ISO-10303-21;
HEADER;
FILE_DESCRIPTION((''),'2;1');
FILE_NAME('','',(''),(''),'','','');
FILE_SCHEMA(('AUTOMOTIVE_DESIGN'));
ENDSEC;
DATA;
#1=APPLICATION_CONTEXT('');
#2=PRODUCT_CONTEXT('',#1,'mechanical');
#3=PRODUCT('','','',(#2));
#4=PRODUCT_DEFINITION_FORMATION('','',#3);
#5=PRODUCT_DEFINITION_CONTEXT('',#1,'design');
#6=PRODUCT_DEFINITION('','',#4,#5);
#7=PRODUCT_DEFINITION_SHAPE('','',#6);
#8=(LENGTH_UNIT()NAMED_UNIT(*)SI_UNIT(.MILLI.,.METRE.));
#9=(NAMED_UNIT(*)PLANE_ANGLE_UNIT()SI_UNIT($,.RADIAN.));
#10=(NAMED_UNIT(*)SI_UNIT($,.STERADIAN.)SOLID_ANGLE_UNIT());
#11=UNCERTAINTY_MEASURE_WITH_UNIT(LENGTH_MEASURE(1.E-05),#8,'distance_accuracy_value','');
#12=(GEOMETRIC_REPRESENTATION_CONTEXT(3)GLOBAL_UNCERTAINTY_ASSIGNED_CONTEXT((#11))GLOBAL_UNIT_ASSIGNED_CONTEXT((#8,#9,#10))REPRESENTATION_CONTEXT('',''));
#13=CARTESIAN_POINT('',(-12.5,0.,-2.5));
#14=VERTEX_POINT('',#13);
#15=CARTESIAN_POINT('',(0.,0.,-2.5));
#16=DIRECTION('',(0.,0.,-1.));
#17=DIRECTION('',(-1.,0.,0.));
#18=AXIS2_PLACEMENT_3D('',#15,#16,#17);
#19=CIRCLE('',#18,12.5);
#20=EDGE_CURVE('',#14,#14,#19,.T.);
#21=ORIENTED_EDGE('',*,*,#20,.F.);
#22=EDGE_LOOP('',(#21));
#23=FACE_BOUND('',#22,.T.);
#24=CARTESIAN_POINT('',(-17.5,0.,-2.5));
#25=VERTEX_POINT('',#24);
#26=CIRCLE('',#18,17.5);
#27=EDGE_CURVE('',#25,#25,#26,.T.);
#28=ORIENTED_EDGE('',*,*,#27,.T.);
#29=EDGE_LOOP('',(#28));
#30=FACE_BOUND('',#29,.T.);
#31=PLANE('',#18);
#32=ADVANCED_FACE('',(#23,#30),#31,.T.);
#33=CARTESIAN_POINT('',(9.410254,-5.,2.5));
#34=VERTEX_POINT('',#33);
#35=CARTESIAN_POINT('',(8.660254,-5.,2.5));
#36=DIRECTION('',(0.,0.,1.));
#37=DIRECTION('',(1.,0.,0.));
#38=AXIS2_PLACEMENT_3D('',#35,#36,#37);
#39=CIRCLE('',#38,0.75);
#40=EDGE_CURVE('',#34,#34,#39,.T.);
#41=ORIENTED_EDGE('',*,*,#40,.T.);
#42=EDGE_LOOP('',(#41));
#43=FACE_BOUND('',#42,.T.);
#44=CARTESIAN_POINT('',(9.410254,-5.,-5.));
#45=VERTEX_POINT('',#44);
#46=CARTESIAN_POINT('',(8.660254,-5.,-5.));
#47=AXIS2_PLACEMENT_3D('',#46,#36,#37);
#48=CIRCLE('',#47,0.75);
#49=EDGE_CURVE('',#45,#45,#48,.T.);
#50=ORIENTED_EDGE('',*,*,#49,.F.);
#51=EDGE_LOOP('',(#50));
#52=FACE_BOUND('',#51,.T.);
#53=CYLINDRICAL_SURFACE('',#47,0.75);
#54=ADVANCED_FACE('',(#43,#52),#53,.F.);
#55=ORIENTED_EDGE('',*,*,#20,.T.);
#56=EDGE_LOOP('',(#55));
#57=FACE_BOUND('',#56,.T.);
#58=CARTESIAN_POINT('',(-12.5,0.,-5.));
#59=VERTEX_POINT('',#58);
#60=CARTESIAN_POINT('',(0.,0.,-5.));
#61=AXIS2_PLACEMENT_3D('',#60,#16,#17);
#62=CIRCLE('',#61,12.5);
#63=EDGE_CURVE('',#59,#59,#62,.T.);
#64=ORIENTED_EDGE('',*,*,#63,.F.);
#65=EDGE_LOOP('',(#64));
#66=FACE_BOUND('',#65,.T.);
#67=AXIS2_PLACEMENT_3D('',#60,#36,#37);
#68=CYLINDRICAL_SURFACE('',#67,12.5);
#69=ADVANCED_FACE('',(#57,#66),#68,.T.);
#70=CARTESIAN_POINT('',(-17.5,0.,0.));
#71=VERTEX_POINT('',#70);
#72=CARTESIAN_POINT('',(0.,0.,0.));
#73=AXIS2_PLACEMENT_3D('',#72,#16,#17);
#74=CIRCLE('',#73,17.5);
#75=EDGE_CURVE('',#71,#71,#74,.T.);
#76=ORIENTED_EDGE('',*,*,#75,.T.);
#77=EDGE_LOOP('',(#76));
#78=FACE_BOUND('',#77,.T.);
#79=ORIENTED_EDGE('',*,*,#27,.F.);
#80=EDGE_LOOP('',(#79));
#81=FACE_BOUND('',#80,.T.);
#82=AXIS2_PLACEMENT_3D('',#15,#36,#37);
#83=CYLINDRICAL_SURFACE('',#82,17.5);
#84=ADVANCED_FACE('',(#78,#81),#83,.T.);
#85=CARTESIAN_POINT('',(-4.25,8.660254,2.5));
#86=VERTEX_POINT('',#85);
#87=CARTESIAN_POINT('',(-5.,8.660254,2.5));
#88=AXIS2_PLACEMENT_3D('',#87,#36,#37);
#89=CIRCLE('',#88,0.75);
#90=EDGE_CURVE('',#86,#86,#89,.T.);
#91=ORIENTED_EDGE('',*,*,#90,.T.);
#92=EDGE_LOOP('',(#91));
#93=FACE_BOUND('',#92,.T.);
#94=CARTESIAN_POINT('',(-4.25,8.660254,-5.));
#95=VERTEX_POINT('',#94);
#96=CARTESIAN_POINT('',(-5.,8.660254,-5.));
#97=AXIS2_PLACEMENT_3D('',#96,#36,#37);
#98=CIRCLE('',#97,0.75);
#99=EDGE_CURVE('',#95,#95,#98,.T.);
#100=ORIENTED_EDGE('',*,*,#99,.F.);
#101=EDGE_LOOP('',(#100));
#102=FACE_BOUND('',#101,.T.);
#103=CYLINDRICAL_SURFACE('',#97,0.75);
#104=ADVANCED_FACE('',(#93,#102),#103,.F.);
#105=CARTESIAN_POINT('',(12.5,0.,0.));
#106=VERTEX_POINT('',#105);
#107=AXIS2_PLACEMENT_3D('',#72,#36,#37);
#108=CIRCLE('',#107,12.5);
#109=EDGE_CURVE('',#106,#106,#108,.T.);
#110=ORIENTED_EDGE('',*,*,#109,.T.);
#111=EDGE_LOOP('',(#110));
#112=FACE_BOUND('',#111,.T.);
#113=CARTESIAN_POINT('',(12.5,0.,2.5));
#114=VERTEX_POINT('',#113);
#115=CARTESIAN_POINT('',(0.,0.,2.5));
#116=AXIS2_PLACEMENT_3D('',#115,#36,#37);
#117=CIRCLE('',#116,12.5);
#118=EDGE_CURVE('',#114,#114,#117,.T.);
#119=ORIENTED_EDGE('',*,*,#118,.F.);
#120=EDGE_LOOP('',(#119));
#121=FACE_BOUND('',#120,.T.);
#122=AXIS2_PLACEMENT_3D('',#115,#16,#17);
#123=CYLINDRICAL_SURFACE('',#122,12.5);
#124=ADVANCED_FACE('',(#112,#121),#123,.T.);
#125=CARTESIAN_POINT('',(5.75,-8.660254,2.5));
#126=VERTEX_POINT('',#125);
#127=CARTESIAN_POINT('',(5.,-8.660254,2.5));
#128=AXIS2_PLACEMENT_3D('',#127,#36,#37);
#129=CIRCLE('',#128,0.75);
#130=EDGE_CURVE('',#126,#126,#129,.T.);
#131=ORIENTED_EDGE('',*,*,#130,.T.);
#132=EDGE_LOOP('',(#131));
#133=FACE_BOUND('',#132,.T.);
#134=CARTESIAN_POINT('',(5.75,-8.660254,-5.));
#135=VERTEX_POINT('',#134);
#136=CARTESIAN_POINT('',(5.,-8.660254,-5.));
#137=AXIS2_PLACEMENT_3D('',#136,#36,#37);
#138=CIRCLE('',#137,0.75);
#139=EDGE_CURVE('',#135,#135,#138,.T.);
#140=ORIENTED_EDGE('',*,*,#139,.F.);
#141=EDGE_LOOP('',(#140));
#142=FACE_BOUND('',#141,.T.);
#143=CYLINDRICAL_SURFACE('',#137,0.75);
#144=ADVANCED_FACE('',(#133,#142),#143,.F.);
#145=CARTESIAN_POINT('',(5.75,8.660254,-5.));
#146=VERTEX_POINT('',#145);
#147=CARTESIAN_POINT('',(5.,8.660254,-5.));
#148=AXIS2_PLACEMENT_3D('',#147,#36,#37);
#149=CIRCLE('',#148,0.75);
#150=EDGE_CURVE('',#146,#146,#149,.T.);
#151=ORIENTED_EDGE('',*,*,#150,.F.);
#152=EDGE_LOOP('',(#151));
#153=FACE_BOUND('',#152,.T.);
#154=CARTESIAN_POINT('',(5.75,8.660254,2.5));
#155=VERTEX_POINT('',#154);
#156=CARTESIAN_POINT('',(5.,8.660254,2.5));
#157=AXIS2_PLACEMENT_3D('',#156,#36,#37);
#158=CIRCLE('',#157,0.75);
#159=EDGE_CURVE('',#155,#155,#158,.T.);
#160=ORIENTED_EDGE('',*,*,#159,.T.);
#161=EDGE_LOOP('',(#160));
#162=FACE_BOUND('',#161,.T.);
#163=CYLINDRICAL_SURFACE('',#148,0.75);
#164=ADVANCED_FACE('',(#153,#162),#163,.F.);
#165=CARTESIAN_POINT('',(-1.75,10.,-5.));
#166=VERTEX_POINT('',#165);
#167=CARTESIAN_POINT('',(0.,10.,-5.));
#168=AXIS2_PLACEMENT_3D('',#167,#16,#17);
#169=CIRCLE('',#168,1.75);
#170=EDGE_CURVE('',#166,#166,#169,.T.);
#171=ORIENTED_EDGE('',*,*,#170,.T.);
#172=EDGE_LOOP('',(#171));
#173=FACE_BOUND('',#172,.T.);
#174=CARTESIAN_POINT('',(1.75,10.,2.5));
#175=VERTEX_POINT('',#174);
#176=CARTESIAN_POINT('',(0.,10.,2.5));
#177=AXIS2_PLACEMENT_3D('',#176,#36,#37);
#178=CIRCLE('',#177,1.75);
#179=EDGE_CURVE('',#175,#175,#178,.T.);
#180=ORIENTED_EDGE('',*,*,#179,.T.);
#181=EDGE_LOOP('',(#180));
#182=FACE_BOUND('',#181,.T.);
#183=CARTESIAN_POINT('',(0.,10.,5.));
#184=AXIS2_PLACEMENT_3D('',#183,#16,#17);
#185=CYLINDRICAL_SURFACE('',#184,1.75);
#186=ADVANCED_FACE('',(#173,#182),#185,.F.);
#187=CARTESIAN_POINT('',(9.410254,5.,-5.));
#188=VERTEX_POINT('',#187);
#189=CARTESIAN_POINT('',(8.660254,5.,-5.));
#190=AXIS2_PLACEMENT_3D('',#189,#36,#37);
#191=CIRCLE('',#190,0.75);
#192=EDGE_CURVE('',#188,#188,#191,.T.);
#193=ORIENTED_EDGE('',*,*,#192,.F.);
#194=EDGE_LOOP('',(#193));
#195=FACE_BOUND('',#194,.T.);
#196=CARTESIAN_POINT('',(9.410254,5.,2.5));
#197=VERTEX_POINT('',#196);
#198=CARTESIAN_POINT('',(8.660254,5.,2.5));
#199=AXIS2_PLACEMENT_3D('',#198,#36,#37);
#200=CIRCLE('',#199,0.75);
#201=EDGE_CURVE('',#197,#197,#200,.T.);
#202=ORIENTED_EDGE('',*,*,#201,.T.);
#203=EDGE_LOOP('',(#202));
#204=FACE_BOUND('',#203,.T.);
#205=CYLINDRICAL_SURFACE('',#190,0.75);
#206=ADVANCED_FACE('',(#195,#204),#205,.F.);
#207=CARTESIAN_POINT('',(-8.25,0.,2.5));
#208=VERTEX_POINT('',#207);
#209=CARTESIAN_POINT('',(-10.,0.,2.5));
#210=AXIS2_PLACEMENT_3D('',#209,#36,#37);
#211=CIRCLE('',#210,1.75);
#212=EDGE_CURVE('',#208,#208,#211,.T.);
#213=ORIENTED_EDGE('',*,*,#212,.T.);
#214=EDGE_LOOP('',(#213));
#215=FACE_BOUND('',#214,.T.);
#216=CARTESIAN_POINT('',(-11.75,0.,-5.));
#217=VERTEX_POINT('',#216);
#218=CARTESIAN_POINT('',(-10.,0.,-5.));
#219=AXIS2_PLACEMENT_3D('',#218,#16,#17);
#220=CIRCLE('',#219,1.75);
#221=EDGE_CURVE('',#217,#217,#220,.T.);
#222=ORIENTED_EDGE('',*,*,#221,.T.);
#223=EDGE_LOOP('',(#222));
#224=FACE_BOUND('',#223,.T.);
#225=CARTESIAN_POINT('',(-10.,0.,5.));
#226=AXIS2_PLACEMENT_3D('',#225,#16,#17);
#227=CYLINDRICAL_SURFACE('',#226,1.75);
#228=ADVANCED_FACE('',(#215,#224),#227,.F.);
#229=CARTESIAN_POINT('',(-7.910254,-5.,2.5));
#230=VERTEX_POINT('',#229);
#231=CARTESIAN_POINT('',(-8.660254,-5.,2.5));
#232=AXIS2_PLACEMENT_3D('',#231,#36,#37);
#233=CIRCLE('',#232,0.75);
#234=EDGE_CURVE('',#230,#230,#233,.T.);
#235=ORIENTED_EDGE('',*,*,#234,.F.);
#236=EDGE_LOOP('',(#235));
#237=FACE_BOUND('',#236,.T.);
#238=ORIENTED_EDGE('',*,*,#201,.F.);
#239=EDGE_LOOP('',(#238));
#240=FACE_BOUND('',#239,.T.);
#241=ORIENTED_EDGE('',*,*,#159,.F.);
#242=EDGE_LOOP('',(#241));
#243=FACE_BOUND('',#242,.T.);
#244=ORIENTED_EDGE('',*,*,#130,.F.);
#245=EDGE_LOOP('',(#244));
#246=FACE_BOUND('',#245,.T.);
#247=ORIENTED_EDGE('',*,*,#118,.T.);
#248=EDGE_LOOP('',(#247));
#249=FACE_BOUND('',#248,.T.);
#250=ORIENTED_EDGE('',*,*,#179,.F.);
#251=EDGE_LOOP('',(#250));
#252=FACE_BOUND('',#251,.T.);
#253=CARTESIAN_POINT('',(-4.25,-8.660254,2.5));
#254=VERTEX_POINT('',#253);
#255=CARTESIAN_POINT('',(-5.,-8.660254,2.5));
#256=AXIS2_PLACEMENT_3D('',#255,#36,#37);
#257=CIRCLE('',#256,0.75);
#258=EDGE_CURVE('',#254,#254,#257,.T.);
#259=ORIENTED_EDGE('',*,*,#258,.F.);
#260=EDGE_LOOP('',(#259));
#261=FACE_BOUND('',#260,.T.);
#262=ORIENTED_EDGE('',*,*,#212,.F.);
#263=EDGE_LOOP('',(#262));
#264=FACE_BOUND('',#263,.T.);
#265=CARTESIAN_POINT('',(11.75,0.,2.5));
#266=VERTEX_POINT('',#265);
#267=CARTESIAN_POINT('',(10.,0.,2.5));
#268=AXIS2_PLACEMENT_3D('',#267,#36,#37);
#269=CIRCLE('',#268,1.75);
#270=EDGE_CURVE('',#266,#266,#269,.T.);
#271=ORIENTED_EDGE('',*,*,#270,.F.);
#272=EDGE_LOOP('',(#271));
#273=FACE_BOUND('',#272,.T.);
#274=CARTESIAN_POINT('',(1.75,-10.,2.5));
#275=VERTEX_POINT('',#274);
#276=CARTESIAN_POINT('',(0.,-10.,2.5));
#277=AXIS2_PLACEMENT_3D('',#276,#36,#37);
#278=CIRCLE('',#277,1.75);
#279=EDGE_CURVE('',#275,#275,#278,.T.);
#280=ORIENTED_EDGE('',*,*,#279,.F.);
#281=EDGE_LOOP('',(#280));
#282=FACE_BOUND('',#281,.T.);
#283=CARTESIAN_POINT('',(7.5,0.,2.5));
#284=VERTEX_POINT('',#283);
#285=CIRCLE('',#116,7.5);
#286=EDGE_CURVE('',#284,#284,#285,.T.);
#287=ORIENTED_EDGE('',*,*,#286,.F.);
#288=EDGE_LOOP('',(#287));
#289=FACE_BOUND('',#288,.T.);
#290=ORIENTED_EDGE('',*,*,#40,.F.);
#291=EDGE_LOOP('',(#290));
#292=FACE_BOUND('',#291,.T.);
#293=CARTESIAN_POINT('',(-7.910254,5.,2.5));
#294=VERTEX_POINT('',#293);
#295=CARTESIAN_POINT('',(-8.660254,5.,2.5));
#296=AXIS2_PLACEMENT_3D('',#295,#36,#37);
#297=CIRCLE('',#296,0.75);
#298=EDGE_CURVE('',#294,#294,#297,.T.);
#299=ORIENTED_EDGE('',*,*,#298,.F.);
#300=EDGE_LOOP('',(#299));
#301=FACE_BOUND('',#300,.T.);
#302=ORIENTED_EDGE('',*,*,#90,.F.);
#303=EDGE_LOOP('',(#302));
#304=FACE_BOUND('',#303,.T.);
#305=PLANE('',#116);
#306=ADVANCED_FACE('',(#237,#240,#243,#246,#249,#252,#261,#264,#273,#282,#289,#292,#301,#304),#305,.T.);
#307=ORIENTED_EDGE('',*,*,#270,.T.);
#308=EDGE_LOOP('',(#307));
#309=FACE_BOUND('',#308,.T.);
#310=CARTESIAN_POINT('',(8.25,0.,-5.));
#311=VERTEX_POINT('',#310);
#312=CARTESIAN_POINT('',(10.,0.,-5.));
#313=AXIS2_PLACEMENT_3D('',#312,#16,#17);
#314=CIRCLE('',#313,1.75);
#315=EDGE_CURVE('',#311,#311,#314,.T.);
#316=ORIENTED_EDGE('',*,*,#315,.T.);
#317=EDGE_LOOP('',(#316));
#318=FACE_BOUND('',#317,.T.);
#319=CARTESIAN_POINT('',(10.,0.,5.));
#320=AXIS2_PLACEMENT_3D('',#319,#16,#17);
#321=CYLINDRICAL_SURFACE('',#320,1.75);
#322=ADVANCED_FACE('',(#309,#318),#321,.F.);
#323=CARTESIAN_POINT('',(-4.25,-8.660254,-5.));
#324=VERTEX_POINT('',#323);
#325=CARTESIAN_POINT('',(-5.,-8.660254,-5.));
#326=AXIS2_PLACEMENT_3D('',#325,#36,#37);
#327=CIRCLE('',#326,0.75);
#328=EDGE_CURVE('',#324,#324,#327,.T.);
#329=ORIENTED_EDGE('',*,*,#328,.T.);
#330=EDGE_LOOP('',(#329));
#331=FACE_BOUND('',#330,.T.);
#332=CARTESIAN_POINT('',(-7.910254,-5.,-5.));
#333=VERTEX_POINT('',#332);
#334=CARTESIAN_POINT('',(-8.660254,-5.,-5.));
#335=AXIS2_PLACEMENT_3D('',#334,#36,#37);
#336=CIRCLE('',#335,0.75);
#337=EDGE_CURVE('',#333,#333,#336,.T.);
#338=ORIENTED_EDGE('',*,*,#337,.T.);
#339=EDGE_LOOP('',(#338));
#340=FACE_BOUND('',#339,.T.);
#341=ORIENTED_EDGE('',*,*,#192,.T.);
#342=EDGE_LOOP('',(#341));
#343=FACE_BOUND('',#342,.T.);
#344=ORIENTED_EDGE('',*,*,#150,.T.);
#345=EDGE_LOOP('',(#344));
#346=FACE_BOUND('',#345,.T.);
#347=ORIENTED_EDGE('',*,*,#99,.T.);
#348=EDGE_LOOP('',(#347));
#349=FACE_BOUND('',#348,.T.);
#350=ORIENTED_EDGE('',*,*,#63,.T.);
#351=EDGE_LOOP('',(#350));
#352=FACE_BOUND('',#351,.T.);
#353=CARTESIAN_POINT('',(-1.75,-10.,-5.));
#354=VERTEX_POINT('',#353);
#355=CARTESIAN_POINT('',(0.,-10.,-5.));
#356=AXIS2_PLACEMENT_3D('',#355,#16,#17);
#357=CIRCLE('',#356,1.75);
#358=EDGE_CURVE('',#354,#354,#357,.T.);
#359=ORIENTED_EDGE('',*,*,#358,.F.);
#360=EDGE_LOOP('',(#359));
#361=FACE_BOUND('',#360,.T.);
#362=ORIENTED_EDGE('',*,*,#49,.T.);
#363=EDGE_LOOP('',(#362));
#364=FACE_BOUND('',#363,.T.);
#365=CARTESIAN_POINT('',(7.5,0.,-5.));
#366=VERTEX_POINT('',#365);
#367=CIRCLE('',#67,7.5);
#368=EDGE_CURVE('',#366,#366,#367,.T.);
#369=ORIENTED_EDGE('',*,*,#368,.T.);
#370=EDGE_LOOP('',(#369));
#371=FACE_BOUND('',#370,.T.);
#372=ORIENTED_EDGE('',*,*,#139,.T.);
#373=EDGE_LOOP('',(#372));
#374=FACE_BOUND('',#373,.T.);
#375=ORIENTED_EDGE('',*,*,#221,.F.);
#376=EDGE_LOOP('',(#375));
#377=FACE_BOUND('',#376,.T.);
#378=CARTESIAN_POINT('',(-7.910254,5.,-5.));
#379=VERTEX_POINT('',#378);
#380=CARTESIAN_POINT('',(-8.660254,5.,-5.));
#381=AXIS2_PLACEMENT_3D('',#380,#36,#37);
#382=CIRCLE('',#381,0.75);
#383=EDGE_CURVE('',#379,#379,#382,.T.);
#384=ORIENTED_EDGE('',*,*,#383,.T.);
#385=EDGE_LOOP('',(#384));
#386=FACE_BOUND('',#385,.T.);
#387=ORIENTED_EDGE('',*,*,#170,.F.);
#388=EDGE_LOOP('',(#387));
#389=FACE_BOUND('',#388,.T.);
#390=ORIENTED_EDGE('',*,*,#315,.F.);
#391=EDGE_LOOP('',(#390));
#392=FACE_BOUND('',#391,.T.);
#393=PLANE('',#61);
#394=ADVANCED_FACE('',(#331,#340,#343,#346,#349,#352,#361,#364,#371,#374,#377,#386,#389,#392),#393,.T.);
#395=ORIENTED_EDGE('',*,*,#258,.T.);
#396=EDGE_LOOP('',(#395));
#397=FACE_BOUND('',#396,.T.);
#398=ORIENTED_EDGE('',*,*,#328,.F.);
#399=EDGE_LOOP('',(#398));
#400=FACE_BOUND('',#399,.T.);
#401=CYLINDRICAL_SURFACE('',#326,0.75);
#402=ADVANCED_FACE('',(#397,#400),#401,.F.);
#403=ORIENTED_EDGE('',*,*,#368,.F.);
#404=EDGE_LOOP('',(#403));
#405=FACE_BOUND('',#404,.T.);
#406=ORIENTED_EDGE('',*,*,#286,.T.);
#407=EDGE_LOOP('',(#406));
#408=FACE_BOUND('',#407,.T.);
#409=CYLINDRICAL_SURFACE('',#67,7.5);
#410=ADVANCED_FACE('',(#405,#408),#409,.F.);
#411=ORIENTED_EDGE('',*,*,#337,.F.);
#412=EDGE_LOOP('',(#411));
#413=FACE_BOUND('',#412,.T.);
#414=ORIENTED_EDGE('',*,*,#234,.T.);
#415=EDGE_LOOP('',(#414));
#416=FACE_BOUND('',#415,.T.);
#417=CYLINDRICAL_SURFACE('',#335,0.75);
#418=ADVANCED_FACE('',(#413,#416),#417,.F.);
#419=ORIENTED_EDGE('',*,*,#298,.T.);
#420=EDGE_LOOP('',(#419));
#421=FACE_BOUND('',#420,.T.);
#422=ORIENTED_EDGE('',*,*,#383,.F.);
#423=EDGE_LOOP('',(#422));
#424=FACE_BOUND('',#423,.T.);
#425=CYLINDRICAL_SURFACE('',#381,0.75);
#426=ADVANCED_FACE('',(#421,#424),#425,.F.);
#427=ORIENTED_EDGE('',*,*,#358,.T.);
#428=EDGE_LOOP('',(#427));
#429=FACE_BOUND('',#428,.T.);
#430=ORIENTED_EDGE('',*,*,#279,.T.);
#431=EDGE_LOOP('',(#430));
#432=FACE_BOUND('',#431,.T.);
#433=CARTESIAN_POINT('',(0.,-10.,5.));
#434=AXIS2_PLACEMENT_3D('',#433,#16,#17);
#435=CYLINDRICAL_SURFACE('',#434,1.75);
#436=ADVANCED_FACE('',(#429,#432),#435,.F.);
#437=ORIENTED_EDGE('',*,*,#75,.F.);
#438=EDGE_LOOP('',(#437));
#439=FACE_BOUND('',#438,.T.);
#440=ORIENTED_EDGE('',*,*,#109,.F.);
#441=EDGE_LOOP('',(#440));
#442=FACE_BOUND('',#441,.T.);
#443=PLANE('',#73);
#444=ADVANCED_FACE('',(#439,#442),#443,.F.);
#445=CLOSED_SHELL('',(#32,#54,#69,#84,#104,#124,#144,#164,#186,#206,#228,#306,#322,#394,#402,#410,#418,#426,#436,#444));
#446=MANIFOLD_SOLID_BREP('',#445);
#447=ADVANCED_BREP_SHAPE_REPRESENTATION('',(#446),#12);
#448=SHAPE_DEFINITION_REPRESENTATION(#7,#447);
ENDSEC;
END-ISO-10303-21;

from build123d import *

# Parameters (mm, degrees)
SKETCH1_R               = 12.5
BOSS_EXTRUDE1_DEPTH     = 2.5
SKETCH3_R               = 17.5
BOSS_EXTRUDE2_DEPTH     = 2.5
BOSS_EXTRUDE3_START     = 2.5
SKETCH5_R               = 12.5
BOSS_EXTRUDE3_DEPTH     = 2.5
CUT_EXTRUDE1_DEPTH      = 26.860201082
CUT_EXTRUDE1_DEPTH_BACK = 26.860201082
SKETCH2_R               = 0.75
SKETCH2_R_2             = 7.5
SKETCH6_R               = 1.75
CUT_EXTRUDE2_DEPTH      = 10


with BuildPart() as part:
    # Sketch1 → Boss-Extrude1 (new body)
    with BuildSketch(Plane.XY):
        Circle(SKETCH1_R)
    extrude(amount=BOSS_EXTRUDE1_DEPTH)

    # Sketch3 → Boss-Extrude2 (add)
    with BuildSketch(Plane(origin=(0, 0, 0), x_dir=(-1, 0, 0), z_dir=(0, 0, -1))):
        Circle(SKETCH3_R)
    extrude(amount=BOSS_EXTRUDE2_DEPTH)

    # Sketch5 → Boss-Extrude3 (add)
    with BuildSketch(Plane(origin=(0, 0, -2.5), x_dir=(-1, 0, 0), z_dir=(0, 0, -1)).offset(BOSS_EXTRUDE3_START)):
        with Locations(Location((0, 0, 0), (0, 0, 180))):
            Circle(SKETCH5_R)
    extrude(amount=-BOSS_EXTRUDE3_DEPTH)

    # Sketch2 → Cut-Extrude1 (cut, two sides: drawn at the far end of the back side and taken through both)
    with BuildSketch(Plane.XY.offset(2.5).offset(-CUT_EXTRUDE1_DEPTH_BACK)):
        with Locations((0, 10)):
            Circle(SKETCH2_R)
        with Locations((5, 8.660254038)):
            Circle(SKETCH2_R)
        with Locations((8.660254038, 5)):
            Circle(SKETCH2_R)
        with Locations((10, 0)):
            Circle(SKETCH2_R)
        with Locations((8.660254038, -5)):
            Circle(SKETCH2_R)
        with Locations((5, -8.660254038)):
            Circle(SKETCH2_R)
        with Locations((0, -10)):
            Circle(SKETCH2_R)
        with Locations((-5, -8.660254038)):
            Circle(SKETCH2_R)
        with Locations((-8.660254038, -5)):
            Circle(SKETCH2_R)
        with Locations((-10, 0)):
            Circle(SKETCH2_R)
        with Locations((-8.660254038, 5)):
            Circle(SKETCH2_R)
        with Locations((-5, 8.660254038)):
            Circle(SKETCH2_R)
        Circle(SKETCH2_R_2)
    extrude(amount=CUT_EXTRUDE1_DEPTH + CUT_EXTRUDE1_DEPTH_BACK, mode=Mode.SUBTRACT)

    # Sketch6 → Cut-Extrude2 (cut)
    with BuildSketch(Plane(origin=(0, 0, -5), x_dir=(-1, 0, 0), z_dir=(0, 0, -1))):
        with Locations((0, 10)):
            Circle(SKETCH6_R)
        with Locations((10, 0)):
            Circle(SKETCH6_R)
        with Locations((0, -10)):
            Circle(SKETCH6_R)
        with Locations((-10, 0)):
            Circle(SKETCH6_R)
    extrude(amount=-CUT_EXTRUDE2_DEPTH, mode=Mode.SUBTRACT)


solid = part.part
